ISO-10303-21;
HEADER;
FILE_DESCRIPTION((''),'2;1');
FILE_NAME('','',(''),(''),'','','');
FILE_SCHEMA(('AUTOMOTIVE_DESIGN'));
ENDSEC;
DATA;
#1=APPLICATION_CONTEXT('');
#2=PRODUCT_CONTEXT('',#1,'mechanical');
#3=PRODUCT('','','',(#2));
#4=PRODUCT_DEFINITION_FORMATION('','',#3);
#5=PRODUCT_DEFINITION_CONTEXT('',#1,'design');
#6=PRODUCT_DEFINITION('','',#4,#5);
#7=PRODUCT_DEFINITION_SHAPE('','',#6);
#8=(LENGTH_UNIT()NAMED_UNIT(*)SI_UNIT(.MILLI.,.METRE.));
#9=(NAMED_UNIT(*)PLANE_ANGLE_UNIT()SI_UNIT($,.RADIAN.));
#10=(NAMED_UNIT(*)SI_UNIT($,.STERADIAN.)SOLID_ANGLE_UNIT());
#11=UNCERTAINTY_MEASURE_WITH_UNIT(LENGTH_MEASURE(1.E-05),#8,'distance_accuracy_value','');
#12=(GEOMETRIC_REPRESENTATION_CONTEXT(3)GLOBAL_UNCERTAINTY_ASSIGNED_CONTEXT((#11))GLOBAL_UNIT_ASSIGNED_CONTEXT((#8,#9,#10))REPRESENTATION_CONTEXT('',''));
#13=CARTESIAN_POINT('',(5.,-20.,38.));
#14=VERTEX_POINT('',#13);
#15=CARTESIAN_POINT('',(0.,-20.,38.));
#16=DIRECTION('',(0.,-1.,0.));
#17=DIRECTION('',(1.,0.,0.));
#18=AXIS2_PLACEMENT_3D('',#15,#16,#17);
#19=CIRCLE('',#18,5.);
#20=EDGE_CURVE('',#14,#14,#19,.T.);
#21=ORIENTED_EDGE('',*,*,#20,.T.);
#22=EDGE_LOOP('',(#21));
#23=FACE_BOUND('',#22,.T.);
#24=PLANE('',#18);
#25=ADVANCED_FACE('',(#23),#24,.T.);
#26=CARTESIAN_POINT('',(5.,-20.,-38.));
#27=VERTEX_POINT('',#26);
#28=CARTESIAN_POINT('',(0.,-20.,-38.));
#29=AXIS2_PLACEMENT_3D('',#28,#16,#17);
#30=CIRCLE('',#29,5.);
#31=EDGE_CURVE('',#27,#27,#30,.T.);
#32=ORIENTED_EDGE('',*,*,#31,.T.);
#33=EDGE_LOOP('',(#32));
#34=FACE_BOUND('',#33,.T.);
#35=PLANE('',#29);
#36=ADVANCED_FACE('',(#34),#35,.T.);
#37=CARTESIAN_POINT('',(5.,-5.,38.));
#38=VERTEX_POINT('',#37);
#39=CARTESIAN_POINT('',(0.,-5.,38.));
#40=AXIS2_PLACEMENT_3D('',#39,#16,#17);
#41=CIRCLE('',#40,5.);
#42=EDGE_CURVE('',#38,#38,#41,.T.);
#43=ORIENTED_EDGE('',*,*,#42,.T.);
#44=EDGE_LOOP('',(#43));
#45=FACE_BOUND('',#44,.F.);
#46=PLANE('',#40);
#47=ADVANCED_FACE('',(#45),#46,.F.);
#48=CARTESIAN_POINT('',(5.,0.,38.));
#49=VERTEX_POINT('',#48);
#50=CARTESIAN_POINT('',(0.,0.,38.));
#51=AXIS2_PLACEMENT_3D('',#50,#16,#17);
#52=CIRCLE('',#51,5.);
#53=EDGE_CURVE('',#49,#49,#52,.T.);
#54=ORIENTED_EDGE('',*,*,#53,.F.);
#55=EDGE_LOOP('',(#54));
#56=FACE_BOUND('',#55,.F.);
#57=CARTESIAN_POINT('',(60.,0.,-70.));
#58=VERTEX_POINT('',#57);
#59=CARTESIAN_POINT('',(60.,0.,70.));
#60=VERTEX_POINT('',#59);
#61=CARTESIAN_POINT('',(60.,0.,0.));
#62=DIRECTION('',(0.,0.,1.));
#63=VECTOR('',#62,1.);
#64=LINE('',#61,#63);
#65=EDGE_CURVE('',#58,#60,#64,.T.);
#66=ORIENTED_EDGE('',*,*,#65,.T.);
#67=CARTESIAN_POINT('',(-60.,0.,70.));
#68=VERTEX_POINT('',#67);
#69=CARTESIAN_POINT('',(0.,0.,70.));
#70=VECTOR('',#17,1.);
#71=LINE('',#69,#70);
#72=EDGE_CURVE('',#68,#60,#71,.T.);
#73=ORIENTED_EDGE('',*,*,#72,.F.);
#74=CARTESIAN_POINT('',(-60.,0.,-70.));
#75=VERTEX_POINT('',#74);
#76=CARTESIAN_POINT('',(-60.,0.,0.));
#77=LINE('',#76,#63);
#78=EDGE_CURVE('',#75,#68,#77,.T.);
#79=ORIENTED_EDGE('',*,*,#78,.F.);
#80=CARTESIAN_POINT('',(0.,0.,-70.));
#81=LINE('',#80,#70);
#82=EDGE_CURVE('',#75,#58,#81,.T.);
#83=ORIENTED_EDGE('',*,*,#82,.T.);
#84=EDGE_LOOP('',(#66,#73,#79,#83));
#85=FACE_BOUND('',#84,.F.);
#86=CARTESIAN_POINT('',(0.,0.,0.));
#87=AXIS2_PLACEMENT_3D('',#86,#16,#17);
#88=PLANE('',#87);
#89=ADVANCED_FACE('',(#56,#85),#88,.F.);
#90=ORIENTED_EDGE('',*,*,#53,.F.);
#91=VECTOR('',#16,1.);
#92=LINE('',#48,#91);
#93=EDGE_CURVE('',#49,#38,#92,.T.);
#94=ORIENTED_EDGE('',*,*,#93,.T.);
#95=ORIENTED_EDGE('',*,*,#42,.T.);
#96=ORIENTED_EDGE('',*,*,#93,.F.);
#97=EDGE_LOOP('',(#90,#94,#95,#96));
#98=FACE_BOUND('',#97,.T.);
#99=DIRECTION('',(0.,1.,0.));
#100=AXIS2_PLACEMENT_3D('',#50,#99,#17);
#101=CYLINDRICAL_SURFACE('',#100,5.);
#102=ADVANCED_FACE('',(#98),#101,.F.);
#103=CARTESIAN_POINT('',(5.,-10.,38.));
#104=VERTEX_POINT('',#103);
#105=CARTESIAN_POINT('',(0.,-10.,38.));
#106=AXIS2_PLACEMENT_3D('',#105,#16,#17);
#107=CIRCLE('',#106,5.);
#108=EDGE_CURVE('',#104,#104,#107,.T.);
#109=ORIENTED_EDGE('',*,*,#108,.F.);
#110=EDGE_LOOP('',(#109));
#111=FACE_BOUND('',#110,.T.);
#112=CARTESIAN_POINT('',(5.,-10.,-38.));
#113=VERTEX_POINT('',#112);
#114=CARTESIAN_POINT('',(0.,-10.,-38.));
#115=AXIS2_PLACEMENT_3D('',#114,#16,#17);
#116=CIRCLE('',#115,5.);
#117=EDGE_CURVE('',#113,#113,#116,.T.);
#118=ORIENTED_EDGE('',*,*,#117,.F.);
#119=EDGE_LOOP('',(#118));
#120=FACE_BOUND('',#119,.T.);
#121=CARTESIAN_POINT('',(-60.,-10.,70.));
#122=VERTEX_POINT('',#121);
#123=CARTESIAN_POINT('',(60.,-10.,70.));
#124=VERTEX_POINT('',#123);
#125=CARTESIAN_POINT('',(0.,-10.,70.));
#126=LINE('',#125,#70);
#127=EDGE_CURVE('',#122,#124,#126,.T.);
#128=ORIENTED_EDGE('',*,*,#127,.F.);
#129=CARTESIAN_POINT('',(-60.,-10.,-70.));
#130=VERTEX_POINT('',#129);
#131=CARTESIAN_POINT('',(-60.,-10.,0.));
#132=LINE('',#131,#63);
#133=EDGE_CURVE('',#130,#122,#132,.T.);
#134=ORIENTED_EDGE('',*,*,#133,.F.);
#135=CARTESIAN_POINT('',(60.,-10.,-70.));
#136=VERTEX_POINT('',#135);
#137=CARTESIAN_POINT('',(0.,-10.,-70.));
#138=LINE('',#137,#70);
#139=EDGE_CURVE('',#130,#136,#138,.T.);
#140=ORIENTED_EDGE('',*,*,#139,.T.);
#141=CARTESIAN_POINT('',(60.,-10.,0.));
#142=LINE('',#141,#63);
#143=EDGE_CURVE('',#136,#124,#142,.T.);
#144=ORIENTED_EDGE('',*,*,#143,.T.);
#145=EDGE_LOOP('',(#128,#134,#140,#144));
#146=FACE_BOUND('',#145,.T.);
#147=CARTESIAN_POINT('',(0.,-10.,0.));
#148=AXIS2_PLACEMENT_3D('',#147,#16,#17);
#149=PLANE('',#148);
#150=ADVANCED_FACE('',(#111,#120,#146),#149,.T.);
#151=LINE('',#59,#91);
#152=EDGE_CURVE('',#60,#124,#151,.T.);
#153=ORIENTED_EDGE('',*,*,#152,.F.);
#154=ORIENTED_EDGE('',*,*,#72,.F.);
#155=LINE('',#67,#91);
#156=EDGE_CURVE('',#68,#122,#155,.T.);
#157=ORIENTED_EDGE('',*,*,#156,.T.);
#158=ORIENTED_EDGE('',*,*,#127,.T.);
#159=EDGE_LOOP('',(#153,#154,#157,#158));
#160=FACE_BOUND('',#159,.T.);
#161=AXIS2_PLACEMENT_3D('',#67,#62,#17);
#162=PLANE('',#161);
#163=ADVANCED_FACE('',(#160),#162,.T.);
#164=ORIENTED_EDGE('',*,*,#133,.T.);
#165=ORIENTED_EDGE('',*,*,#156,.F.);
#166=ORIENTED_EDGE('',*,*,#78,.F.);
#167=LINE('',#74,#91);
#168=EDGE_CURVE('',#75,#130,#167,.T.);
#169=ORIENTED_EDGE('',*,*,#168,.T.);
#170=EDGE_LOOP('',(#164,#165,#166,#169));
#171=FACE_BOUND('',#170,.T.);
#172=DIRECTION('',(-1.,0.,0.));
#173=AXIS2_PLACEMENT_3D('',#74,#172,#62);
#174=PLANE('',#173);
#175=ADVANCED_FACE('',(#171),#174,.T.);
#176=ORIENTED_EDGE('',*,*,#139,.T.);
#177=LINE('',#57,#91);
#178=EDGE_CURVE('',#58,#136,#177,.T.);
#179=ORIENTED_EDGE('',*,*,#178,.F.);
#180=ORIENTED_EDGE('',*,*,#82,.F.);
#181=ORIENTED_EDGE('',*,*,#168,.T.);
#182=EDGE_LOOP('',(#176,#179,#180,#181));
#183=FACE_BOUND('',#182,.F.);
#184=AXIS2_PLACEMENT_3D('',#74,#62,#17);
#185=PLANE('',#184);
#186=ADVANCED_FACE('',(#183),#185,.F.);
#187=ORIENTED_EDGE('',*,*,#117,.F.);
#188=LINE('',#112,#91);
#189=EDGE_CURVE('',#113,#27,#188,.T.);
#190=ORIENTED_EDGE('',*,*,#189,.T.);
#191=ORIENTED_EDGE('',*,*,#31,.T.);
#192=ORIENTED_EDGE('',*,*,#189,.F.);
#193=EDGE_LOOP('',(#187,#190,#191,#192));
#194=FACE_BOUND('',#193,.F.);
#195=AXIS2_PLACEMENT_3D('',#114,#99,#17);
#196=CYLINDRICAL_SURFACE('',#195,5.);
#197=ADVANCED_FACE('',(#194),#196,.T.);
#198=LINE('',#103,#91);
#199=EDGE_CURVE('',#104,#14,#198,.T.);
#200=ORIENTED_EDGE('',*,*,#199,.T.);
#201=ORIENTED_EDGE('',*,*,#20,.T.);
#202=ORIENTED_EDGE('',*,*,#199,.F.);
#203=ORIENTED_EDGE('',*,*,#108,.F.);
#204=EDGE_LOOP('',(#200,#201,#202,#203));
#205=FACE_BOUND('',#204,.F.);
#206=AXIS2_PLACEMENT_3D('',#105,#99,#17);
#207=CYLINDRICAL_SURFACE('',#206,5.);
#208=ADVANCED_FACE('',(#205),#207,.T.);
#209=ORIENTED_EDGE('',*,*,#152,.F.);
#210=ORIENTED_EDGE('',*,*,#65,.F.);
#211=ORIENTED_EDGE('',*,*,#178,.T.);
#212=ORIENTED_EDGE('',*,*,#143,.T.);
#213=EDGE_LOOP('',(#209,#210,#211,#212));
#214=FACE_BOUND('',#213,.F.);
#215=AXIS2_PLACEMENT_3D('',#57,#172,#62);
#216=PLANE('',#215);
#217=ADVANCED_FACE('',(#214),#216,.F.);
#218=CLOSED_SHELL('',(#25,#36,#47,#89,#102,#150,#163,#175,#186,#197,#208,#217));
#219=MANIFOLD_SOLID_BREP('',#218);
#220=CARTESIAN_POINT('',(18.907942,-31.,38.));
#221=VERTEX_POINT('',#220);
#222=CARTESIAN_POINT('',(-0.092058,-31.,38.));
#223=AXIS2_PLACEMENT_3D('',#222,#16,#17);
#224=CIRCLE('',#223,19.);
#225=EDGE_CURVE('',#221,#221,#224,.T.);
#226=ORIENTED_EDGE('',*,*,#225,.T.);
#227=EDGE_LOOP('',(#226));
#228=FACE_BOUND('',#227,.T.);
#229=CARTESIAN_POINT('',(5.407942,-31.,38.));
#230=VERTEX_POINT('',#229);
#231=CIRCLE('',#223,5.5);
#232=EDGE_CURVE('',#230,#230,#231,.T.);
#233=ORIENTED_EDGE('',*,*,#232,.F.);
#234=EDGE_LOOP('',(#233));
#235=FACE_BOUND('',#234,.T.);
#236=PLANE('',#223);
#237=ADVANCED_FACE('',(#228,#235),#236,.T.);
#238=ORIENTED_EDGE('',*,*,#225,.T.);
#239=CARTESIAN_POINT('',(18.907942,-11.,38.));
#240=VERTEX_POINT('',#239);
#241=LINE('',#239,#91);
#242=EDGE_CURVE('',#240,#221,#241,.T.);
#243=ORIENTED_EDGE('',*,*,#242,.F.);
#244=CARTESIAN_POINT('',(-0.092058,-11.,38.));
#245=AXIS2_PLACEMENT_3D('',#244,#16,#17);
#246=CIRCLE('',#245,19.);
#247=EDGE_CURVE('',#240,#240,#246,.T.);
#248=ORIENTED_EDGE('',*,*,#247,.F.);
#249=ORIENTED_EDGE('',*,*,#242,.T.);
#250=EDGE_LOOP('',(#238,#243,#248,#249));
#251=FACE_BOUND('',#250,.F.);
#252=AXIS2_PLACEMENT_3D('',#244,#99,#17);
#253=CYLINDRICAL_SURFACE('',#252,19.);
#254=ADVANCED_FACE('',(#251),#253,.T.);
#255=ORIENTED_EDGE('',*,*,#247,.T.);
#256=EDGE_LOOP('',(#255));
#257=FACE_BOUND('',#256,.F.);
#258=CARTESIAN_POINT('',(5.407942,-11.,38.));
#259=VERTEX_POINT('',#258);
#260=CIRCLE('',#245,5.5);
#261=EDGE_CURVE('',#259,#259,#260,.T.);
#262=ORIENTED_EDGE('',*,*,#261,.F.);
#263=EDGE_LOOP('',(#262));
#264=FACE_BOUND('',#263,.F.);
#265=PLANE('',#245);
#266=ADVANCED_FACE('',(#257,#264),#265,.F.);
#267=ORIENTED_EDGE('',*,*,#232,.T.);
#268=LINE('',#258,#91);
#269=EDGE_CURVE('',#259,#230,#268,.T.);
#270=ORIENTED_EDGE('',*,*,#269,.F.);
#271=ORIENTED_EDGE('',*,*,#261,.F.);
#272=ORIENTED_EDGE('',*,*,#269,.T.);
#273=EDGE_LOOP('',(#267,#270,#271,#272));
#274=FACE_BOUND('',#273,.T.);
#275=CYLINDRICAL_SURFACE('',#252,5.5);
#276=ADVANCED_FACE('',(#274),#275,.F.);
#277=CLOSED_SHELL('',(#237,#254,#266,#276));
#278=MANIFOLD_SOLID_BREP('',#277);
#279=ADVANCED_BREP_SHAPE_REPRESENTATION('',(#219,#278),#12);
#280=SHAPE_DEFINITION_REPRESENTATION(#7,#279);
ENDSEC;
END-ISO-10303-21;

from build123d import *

# Parameters (mm, degrees)
F0_W     = 120
F0_H     = 140
F0_R     = 5
F1_DEPTH = 10
F2_DEPTH = 5
F3_R     = 5
F4_DEPTH = 10
F6_R     = 19
F6_R_2   = 5.5
F7_DEPTH = 20


with BuildPart() as f1:
    # F0 (on Front) → F1 (new body)
    with BuildSketch(Plane.XZ):
        Rectangle(F0_W, F0_H)
        with Locations((0, 38)):
            Circle(F0_R, mode=Mode.SUBTRACT)
        with Locations((0, 38)):
            Circle(F0_R)
    extrude(amount=F1_DEPTH)

    # F0 (on Front) → F2 (cut)
    with BuildSketch(Plane.XZ):
        with Locations((0, 38)):
            Circle(F0_R)
    extrude(amount=F2_DEPTH, mode=Mode.SUBTRACT)

    # F3 (on face) → F4 (join)
    with BuildSketch(Plane.XZ.offset(10)):
        with Locations((0, 38)):
            Circle(F3_R)
        with Locations((0, -38)):
            Circle(F3_R)
    extrude(amount=F4_DEPTH)


with BuildPart() as f7:
    # F6 (on offset) → F7 (new body)
    with BuildSketch(Plane.XZ.offset(11)):
        with Locations((-0.092058, 38)):
            Circle(F6_R)
        with Locations((-0.092058, 38)):
            Circle(F6_R_2, mode=Mode.SUBTRACT)
    extrude(amount=F7_DEPTH)


solid = Compound([f1.part, f7.part])
